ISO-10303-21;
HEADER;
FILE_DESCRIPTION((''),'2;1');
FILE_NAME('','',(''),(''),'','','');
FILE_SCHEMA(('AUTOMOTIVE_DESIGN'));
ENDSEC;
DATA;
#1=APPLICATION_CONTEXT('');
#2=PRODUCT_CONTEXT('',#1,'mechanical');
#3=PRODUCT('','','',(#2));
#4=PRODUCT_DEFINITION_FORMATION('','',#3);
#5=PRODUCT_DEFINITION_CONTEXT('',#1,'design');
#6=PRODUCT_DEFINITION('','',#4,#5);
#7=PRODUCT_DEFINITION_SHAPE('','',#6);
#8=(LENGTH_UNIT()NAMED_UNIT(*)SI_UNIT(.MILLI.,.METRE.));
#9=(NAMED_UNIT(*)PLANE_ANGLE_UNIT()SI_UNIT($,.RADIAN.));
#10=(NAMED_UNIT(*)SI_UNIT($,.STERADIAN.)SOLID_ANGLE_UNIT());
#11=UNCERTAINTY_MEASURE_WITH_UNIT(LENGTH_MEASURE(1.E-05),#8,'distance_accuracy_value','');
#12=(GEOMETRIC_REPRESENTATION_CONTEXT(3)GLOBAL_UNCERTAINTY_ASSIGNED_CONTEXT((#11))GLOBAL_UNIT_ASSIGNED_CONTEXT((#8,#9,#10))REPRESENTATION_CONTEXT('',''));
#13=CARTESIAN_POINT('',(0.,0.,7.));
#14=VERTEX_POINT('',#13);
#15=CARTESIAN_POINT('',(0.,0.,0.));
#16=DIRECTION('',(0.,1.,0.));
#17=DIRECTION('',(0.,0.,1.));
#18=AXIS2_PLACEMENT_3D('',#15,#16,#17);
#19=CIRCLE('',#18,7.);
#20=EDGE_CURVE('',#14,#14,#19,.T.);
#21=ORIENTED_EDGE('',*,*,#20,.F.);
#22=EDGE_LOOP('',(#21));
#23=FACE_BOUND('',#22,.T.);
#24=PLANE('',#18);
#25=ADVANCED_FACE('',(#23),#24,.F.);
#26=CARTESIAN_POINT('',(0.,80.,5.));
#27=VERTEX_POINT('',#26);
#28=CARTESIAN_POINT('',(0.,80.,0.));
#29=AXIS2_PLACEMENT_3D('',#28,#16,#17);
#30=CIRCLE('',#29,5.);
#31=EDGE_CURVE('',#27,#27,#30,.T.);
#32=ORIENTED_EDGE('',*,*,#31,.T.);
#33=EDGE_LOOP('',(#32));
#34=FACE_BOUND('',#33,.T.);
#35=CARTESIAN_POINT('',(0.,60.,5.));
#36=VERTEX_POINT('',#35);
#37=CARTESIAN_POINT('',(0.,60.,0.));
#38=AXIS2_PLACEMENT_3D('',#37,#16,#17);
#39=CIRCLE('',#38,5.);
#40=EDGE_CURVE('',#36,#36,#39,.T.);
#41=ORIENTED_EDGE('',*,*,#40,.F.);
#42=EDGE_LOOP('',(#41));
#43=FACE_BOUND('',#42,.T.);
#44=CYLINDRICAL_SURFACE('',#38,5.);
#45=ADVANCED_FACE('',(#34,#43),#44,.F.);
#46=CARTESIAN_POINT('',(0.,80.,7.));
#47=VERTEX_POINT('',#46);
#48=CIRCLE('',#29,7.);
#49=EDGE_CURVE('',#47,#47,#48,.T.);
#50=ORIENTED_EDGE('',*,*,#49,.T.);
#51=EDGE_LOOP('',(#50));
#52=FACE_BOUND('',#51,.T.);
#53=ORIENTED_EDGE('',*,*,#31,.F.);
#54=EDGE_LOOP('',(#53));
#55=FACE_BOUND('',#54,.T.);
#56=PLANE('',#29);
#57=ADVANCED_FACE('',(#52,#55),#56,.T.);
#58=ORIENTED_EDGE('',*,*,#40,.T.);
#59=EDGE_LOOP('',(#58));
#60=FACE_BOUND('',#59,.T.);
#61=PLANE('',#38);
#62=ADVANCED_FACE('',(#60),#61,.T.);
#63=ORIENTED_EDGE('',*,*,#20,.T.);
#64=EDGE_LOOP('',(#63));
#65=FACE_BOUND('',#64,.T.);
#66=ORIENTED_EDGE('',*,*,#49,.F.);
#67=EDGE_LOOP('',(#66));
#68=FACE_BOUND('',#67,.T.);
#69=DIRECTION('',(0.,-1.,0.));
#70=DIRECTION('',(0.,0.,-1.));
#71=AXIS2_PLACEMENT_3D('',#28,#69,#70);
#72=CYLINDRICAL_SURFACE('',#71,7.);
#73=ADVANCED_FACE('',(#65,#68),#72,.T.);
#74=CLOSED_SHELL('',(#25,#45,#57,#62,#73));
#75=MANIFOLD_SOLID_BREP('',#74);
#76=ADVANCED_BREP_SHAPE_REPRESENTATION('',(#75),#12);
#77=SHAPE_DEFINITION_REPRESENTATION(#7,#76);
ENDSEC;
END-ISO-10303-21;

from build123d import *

# Parameters (mm, degrees)
SKETCH1_R           = 7
BOSS_EXTRUDE1_DEPTH = 80
SKETCH2_R           = 5
CUT_EXTRUDE1_DEPTH  = 20


with BuildPart() as part:
    # Sketch1 → Boss-Extrude1 (new body)
    with BuildSketch(Plane(origin=(0, 0, 0), x_dir=(1, 0, 0), z_dir=(0, 1, 0))):
        with Locations(Location((0, 0, 0), (0, 0, 270))):
            Circle(SKETCH1_R)
    extrude(amount=BOSS_EXTRUDE1_DEPTH)

    # Sketch2 → Cut-Extrude1 (cut)
    with BuildSketch(Plane(origin=(0, 80, 0), x_dir=(1, 0, 0), z_dir=(0, 1, 0))):
        with Locations(Location((0, 0, 0), (0, 0, 270))):
            Circle(SKETCH2_R)
    extrude(amount=-CUT_EXTRUDE1_DEPTH, mode=Mode.SUBTRACT)


solid = part.part
